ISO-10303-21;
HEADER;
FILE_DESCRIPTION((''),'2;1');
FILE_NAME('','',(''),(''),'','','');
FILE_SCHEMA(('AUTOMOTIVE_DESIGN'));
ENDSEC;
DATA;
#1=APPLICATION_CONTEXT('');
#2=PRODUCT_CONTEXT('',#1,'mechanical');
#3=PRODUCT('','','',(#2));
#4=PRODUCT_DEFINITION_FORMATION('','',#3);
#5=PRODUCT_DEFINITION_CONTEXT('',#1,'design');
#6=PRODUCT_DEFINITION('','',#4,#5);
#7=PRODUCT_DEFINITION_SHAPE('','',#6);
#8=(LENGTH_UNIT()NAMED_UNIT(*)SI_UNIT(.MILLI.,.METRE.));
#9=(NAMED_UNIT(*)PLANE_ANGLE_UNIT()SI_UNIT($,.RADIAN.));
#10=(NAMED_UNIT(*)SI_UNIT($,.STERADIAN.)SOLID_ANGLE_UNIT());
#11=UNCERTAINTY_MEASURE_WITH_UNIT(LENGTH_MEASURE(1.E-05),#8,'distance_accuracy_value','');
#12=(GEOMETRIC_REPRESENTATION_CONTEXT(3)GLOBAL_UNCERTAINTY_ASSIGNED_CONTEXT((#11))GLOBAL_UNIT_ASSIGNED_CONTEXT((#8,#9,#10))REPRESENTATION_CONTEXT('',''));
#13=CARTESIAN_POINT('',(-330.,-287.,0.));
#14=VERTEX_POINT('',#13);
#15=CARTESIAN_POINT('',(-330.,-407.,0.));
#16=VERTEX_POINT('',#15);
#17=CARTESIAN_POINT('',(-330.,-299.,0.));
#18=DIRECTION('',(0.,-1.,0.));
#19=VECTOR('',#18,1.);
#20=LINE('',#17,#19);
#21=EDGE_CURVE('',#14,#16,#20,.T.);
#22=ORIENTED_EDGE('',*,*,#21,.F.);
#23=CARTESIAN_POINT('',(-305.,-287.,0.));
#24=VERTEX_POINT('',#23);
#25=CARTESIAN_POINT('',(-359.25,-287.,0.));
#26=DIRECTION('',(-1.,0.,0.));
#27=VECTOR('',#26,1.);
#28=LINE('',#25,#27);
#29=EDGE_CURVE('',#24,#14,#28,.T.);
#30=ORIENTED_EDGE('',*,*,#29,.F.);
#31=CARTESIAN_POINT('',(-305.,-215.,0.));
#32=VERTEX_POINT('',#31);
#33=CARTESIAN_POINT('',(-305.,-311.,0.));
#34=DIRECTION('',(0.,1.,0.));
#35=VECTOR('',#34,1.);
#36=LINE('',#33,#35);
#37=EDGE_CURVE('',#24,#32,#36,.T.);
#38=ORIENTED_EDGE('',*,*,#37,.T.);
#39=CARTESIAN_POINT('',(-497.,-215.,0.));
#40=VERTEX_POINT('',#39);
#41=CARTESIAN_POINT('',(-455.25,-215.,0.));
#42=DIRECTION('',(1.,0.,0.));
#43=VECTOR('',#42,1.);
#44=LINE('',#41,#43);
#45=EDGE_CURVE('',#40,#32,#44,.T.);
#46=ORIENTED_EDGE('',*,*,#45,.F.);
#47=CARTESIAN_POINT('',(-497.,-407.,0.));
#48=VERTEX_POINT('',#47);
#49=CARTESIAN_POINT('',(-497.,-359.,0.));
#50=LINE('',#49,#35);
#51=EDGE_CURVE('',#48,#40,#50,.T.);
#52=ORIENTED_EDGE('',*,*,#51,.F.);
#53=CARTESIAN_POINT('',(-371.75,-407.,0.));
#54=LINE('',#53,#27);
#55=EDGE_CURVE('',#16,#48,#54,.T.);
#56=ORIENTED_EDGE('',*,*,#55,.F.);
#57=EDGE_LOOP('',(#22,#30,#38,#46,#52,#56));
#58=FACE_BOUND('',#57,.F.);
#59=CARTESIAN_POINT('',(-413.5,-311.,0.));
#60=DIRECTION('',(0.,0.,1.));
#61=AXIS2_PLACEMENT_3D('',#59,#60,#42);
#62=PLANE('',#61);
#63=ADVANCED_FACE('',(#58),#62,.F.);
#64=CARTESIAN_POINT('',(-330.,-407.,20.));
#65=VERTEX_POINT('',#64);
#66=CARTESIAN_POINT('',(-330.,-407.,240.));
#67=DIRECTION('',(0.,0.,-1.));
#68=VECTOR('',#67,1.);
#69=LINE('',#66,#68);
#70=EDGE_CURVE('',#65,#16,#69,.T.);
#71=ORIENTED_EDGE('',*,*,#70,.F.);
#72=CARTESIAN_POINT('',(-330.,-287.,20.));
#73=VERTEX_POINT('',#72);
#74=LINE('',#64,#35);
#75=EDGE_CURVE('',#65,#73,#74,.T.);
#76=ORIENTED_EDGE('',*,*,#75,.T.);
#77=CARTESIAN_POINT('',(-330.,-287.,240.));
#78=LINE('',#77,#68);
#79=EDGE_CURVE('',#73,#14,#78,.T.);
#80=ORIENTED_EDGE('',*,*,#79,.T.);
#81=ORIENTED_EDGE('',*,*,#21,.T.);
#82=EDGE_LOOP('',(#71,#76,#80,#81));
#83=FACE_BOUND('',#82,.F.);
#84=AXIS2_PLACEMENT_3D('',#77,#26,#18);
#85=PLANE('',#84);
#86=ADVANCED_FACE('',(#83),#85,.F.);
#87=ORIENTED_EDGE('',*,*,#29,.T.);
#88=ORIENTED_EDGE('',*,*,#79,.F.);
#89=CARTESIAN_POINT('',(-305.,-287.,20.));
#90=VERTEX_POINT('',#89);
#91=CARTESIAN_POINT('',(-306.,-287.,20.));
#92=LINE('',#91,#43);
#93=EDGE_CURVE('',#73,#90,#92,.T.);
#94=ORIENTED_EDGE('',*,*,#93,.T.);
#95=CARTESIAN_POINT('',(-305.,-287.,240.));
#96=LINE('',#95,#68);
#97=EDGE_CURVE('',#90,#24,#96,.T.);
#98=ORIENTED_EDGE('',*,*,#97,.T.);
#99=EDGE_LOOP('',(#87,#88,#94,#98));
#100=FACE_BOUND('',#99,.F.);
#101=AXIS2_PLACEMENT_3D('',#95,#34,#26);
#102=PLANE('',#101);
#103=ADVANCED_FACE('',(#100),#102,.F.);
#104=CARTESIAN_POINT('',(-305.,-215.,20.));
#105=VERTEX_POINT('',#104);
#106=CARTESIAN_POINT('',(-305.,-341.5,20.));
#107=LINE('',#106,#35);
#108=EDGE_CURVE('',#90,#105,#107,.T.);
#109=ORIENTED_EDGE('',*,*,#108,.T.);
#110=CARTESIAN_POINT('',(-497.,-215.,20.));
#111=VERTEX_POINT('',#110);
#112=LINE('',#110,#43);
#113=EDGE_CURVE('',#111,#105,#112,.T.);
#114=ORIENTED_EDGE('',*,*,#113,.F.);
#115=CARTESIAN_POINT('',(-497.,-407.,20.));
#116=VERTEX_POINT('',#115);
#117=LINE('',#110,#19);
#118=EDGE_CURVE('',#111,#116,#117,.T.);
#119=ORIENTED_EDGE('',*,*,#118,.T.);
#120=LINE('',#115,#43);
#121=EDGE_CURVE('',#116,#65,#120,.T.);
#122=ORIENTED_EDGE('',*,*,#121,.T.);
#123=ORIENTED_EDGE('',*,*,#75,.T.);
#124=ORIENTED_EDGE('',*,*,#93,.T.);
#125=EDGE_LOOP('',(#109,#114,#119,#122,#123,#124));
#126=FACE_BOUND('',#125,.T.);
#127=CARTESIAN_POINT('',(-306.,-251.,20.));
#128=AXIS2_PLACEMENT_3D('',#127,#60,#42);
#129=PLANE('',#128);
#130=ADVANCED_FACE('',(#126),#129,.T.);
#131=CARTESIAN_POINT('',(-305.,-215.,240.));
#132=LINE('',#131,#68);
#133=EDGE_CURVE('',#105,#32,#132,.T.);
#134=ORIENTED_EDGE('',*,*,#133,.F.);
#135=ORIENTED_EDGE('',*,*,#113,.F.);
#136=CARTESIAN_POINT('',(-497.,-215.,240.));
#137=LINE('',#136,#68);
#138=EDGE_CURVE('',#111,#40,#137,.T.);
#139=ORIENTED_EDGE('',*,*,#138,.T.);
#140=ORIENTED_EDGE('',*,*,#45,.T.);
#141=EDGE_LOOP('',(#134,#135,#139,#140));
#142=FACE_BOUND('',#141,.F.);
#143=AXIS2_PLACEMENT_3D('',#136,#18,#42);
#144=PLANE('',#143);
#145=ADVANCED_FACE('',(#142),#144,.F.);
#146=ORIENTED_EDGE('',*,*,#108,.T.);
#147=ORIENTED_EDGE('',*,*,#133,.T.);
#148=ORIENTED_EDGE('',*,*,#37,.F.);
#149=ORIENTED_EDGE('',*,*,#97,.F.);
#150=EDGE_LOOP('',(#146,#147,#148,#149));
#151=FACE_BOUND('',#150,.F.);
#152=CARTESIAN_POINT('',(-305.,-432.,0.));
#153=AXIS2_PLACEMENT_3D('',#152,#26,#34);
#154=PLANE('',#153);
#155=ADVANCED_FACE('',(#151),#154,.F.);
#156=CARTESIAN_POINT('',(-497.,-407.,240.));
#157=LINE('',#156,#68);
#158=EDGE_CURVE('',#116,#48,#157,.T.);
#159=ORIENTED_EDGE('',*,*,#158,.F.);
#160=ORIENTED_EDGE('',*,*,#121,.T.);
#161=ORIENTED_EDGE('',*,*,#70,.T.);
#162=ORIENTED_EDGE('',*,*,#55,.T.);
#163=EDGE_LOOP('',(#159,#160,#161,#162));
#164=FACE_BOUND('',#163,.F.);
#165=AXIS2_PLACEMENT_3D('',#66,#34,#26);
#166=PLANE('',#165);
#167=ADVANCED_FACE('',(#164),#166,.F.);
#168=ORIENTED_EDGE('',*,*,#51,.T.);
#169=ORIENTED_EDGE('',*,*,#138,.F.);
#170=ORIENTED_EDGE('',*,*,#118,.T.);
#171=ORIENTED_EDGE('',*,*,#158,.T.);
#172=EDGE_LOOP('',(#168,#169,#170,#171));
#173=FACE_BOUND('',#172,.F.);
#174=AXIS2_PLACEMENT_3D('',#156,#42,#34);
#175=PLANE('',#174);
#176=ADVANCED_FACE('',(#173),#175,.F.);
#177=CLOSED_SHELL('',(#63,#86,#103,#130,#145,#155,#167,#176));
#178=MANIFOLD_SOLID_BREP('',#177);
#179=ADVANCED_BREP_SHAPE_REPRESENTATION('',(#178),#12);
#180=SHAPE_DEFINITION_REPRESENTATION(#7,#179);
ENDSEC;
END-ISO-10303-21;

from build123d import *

# Parameters (mm, degrees)
F2_DEPTH  = 20
F3_W      = 217
F3_H      = 242
F3_W_2    = 167
F3_H_2    = 192
F4_DEPTH  = 240
F5_W      = 48
F5_H      = 72
F6_DEPTH  = 250
F7_W      = 79
F7_H      = 85
F8_DEPTH  = 25
F10_DEPTH = 25
F12_DEPTH = 240.001


with BuildPart() as f2:
    # F1 (on face) → F2 (new body)
    with BuildSketch(Plane.XY):
        Polygon((-497, -215), (-497, -231), (-497, -293), (-497, -407), (-330, -407), (-330, -287), (-330, -215), align=None)
    extrude(amount=F2_DEPTH)

    # F3 (on face) → F4 (join)
    with BuildSketch(Plane.XY):
        with Locations((-413.5, -311)):
            Rectangle(F3_W, F3_H)
        with Locations((-413.5, -311)):
            Rectangle(F3_W_2, F3_H_2, mode=Mode.SUBTRACT)
    extrude(amount=F4_DEPTH)

    # F5 (on face) → F6 (cut)
    with BuildSketch(Plane.XY.offset(20)):
        with Locations((-306, -251)):
            Rectangle(F5_W, F5_H)
    extrude(amount=F6_DEPTH, mode=Mode.SUBTRACT)

    # F7 (on face) → F8 (cut)
    with BuildSketch(Plane.YZ.offset(-497)):
        with Locations((-309.5, 177.5)):
            Rectangle(F7_W, F7_H)
    extrude(amount=-F8_DEPTH, mode=Mode.SUBTRACT)

    # F9 (on face) → F10 (join, through all)
    with BuildSketch(Plane.YZ.offset(-497)):
        Polygon((-270, 135), (-270, 220), (-290, 220), (-290, 155), (-349, 155), (-349, 135), align=None)
    extrude(amount=-F10_DEPTH)

    # F11 (on face) → F12 (cut, through all)
    with BuildSketch(Plane.XY.offset(240)):
        Polygon((-497, -407), (-497, -215), (-305, -215), (-305, -190), (-522, -190), (-522, -432), (-305, -432), (-305, -287), (-330, -287), (-330, -407), align=None)
    extrude(amount=-F12_DEPTH, mode=Mode.SUBTRACT)


solid = f2.part
